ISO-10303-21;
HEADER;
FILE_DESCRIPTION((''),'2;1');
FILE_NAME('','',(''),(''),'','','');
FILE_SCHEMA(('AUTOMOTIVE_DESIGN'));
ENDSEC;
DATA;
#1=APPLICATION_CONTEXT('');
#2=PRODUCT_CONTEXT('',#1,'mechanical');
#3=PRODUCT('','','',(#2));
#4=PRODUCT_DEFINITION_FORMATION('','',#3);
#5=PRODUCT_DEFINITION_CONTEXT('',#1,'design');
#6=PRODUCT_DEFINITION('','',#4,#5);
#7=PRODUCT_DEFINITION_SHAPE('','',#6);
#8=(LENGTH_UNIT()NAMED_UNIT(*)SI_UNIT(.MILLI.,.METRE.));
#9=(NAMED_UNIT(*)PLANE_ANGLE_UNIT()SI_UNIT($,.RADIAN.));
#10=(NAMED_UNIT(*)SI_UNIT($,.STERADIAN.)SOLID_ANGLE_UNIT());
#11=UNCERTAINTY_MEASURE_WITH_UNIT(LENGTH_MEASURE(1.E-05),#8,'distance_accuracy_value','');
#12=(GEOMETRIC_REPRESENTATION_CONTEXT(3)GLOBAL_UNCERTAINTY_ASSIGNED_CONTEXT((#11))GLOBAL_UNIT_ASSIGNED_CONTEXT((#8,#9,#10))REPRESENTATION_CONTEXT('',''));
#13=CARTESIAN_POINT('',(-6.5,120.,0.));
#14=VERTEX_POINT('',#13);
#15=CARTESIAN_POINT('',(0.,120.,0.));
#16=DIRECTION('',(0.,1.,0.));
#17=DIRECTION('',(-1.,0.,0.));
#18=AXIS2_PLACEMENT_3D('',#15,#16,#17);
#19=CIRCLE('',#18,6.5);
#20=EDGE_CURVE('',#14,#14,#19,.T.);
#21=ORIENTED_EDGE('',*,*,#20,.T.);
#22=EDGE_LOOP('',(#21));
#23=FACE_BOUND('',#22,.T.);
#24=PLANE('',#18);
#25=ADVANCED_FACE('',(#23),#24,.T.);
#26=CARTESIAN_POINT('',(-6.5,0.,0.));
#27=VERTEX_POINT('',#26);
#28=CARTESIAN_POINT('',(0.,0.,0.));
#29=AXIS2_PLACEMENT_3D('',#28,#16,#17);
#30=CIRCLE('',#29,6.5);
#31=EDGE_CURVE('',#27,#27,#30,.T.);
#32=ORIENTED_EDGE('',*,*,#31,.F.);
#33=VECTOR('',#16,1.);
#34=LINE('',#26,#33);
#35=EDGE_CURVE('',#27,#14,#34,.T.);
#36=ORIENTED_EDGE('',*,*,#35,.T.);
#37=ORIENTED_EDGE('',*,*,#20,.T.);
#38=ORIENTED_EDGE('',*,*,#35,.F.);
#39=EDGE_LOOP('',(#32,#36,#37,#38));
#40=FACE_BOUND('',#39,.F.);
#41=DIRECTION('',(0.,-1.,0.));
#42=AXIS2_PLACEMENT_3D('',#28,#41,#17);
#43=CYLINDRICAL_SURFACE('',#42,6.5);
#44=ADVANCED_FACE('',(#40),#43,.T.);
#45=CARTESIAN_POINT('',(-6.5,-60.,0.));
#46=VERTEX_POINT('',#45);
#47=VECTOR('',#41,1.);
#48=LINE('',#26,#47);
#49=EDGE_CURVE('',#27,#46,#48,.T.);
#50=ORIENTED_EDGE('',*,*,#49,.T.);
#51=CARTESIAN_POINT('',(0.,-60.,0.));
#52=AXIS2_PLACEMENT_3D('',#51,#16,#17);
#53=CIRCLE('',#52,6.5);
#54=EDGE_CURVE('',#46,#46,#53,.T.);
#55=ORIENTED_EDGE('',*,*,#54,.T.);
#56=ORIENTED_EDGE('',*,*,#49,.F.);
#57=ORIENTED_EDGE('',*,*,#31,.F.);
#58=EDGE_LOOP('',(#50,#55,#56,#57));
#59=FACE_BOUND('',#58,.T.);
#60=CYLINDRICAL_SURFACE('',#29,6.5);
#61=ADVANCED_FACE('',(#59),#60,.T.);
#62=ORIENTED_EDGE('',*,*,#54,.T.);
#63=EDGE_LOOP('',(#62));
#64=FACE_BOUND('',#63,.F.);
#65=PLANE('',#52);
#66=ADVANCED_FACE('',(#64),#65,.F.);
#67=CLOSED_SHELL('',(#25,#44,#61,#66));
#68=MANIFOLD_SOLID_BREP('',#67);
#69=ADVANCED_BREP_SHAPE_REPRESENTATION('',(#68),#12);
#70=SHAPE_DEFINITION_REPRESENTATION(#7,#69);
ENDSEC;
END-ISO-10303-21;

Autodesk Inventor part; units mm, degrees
ref_plane "XZ Plane" through (0, 0, 0) normal (0, 1, 0) x (-1, 0, 0)
sketch "Эскиз1" plane through (0, 0, 0) normal (0, 1, 0) x (-1, 0, 0)
  circle A0 centre (0, 0) radius 6.5
  dimension "d0" = 13
extrude "Выдавливание1" add sketch "Эскиз1" along normal blind 120 and the other way blind 60
sketch "Эскиз2" plane through (0, -60, 0) normal (0, -1, 0) x (1, 0, 0)
  point P0 (0, 0)
  point P1 (0, 0)
properties part number "маркер"
